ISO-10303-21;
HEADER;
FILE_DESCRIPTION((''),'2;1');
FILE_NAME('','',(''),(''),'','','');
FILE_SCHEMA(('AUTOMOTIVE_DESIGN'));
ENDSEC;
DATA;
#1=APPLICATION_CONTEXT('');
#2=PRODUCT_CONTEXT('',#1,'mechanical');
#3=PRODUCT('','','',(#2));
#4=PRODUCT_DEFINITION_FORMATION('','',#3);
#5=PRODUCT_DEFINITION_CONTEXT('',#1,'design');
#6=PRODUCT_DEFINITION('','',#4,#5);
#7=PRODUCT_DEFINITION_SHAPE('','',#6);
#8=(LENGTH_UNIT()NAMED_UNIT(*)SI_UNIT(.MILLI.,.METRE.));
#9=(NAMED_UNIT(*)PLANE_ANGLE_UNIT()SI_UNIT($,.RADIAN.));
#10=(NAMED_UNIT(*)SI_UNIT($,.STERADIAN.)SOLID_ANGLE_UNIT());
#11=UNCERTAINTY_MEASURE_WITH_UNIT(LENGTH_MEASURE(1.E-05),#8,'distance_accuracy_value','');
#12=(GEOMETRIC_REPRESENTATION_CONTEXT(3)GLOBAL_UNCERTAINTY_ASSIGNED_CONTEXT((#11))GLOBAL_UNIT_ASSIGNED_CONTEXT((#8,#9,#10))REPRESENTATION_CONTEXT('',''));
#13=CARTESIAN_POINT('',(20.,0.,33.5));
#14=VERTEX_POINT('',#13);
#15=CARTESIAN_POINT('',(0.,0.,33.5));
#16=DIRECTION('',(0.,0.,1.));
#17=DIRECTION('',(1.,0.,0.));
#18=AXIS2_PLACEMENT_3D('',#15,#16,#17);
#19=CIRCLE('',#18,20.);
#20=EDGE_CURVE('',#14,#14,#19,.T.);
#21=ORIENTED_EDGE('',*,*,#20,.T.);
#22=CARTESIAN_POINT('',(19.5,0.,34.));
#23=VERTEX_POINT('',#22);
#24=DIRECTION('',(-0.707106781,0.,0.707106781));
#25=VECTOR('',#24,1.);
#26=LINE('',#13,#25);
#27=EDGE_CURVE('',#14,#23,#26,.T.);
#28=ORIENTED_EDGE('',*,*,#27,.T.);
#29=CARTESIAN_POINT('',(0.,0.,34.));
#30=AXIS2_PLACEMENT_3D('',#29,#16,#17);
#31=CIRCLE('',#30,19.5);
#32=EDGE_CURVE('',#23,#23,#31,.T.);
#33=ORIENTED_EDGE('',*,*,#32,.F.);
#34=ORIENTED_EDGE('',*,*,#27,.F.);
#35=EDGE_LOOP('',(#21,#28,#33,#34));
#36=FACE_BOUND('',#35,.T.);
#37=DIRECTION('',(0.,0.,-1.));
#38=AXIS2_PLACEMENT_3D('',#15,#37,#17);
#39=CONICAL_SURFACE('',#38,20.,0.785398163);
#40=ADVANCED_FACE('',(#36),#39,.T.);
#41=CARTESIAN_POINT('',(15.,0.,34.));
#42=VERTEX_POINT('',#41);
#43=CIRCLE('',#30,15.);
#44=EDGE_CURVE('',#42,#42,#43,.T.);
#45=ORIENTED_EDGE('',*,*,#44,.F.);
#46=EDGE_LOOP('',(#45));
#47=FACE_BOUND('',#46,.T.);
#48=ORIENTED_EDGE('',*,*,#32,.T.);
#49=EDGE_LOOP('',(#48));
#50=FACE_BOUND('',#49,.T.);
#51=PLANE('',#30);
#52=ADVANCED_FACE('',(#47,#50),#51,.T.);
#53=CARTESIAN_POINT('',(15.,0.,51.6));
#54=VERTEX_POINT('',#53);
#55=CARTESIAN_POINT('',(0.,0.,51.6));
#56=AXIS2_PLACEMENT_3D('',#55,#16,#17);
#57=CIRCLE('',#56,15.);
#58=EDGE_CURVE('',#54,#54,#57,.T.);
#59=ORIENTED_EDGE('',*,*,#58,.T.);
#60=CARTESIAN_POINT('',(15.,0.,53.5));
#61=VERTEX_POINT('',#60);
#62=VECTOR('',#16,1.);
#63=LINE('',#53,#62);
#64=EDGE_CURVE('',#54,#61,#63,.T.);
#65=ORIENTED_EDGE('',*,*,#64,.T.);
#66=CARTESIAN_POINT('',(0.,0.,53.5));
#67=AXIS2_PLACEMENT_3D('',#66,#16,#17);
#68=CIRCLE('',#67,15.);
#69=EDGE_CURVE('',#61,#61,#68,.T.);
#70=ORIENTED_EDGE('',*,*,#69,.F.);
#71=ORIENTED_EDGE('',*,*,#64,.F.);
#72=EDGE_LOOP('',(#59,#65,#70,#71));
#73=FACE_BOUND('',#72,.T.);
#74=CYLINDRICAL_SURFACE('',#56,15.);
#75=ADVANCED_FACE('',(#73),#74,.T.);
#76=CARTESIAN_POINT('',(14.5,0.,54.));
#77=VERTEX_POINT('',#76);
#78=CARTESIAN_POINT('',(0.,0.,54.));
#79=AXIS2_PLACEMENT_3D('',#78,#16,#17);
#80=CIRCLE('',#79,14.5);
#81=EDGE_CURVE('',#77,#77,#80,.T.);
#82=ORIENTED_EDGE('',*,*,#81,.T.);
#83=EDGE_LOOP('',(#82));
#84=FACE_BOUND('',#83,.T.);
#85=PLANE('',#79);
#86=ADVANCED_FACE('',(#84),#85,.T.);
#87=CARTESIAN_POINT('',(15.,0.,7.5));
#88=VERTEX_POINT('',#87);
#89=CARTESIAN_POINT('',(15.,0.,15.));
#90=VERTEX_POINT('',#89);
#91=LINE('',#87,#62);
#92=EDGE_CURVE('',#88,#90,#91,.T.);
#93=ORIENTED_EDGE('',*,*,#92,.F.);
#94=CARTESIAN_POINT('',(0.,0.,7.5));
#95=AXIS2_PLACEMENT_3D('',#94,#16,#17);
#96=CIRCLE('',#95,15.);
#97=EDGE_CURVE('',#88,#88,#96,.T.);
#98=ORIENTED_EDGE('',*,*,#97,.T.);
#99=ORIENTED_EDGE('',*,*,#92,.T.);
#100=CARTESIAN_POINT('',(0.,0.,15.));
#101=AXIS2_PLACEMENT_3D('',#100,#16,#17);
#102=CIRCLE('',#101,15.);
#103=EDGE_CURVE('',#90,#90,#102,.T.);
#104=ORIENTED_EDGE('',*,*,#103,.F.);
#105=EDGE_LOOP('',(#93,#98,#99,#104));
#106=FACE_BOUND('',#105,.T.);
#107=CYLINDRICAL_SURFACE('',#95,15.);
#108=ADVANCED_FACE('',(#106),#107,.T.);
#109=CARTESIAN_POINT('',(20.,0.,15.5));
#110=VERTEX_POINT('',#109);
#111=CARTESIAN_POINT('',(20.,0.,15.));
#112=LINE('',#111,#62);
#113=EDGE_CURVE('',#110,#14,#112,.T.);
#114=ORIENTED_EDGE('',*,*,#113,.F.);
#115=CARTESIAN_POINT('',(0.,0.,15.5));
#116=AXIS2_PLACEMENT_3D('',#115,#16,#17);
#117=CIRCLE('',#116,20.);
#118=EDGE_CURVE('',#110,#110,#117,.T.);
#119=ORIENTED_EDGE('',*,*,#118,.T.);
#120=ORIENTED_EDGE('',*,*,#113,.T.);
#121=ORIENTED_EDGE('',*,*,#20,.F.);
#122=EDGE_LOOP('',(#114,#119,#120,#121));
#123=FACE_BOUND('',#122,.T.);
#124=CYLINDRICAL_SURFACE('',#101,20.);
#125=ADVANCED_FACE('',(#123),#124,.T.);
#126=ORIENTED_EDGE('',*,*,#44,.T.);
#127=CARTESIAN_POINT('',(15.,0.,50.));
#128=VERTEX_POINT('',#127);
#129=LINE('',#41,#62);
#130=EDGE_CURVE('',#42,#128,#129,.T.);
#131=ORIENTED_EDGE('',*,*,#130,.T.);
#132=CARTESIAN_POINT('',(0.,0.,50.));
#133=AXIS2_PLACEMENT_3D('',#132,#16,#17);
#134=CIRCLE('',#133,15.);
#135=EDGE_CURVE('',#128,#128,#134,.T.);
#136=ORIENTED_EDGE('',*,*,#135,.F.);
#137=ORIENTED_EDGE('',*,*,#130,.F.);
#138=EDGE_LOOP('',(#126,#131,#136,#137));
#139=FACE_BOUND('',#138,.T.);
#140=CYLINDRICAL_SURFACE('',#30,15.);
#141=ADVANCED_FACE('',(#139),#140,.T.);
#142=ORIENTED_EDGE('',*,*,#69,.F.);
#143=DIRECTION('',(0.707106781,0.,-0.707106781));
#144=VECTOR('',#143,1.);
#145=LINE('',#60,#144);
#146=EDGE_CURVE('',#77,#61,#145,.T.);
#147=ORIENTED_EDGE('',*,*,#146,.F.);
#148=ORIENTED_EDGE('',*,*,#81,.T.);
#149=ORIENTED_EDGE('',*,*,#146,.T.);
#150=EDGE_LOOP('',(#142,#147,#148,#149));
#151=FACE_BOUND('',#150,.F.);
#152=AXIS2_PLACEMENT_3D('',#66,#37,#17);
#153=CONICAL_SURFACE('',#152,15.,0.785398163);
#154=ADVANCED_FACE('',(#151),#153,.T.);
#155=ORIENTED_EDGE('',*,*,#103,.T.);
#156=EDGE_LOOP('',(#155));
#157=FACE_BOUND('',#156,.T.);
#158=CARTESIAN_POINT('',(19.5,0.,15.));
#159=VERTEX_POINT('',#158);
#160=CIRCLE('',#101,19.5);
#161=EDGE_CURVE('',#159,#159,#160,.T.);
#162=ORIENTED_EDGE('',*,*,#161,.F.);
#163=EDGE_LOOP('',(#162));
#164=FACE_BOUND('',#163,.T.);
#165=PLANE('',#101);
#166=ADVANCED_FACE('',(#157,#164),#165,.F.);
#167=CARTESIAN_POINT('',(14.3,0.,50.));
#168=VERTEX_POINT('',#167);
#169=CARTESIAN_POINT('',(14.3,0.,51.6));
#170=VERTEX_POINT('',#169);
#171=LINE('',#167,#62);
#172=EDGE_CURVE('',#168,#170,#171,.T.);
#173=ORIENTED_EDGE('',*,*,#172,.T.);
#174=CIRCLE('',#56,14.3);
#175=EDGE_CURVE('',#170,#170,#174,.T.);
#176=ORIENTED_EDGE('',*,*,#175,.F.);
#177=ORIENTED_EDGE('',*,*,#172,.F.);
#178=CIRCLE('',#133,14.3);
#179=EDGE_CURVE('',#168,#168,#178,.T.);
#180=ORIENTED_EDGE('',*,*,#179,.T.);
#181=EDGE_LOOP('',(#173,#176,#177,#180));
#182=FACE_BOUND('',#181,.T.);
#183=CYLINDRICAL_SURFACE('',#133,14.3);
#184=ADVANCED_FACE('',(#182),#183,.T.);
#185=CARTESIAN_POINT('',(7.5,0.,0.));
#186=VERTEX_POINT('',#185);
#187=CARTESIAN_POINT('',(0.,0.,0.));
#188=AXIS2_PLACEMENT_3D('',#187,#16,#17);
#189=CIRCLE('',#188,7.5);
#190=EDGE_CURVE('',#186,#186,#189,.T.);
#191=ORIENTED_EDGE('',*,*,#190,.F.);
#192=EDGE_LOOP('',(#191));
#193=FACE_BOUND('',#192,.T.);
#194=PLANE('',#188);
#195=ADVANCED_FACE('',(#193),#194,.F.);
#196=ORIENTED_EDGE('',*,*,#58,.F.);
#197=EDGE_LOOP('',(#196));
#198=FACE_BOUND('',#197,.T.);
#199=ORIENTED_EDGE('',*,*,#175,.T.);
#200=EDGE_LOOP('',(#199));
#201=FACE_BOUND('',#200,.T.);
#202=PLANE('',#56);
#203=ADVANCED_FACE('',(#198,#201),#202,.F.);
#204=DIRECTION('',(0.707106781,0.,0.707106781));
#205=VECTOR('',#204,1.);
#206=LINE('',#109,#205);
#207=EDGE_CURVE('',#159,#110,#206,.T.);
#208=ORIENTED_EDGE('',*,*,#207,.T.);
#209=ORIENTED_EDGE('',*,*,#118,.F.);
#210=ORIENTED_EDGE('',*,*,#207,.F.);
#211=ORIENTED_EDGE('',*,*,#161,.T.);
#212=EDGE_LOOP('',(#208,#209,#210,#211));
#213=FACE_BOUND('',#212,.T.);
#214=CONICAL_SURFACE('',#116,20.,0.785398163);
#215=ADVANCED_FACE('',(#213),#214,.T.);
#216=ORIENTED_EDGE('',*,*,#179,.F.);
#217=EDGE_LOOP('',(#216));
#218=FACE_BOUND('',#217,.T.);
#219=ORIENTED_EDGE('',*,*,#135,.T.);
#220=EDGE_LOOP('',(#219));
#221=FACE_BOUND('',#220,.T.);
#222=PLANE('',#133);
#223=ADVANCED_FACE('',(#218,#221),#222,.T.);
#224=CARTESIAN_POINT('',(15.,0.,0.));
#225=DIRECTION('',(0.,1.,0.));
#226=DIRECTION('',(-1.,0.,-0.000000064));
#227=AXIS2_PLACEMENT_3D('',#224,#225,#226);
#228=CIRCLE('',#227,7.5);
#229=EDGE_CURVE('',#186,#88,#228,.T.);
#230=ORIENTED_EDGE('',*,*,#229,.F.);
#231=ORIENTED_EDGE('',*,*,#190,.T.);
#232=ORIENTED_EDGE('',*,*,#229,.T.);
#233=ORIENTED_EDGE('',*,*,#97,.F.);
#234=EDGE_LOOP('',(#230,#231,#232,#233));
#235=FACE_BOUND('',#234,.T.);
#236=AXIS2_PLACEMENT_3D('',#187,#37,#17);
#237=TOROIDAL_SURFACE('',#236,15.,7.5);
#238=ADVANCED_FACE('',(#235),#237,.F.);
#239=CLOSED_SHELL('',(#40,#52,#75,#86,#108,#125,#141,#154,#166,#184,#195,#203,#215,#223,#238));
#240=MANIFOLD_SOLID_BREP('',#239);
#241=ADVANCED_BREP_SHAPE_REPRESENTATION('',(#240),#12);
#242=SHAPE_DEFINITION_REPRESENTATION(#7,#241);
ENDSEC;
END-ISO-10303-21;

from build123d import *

# Parameters (mm, degrees)
F2_SIZE = 0.5


with BuildPart() as f1:
    # F0 (on Front) → F1 (revolve)
    with BuildSketch(Plane.XZ):
        with BuildLine():
            Line((15, 54), (0, 54))
            Line((0, 54), (0, 0))
            Line((0, 0), (7.5, 0))
            ThreePointArc((7.5, 0), (9.696699, 5.303301), (15, 7.5))
            Line((15, 7.5), (15, 15))
            Line((15, 15), (20, 15))
            Line((20, 15), (20, 34))
            Line((20, 34), (15, 34))
            Line((15, 34), (15, 50))
            Line((15, 50), (14.3, 50))
            Line((14.3, 50), (14.3, 51.6))
            Line((14.3, 51.6), (15, 51.6))
            Line((15, 51.6), (15, 54))
        make_face()
    revolve(axis=Axis((0, 0, 27), (0, 0, 1)))

    # F2
    f2_edges = [f1.edges().sort_by_distance(p)[0] for p in [
        (-15, 0, 54),
        (-20, 0, 34),
        (-20, 0, 15),
    ]]
    chamfer(f2_edges, length=F2_SIZE)


solid = f1.part
